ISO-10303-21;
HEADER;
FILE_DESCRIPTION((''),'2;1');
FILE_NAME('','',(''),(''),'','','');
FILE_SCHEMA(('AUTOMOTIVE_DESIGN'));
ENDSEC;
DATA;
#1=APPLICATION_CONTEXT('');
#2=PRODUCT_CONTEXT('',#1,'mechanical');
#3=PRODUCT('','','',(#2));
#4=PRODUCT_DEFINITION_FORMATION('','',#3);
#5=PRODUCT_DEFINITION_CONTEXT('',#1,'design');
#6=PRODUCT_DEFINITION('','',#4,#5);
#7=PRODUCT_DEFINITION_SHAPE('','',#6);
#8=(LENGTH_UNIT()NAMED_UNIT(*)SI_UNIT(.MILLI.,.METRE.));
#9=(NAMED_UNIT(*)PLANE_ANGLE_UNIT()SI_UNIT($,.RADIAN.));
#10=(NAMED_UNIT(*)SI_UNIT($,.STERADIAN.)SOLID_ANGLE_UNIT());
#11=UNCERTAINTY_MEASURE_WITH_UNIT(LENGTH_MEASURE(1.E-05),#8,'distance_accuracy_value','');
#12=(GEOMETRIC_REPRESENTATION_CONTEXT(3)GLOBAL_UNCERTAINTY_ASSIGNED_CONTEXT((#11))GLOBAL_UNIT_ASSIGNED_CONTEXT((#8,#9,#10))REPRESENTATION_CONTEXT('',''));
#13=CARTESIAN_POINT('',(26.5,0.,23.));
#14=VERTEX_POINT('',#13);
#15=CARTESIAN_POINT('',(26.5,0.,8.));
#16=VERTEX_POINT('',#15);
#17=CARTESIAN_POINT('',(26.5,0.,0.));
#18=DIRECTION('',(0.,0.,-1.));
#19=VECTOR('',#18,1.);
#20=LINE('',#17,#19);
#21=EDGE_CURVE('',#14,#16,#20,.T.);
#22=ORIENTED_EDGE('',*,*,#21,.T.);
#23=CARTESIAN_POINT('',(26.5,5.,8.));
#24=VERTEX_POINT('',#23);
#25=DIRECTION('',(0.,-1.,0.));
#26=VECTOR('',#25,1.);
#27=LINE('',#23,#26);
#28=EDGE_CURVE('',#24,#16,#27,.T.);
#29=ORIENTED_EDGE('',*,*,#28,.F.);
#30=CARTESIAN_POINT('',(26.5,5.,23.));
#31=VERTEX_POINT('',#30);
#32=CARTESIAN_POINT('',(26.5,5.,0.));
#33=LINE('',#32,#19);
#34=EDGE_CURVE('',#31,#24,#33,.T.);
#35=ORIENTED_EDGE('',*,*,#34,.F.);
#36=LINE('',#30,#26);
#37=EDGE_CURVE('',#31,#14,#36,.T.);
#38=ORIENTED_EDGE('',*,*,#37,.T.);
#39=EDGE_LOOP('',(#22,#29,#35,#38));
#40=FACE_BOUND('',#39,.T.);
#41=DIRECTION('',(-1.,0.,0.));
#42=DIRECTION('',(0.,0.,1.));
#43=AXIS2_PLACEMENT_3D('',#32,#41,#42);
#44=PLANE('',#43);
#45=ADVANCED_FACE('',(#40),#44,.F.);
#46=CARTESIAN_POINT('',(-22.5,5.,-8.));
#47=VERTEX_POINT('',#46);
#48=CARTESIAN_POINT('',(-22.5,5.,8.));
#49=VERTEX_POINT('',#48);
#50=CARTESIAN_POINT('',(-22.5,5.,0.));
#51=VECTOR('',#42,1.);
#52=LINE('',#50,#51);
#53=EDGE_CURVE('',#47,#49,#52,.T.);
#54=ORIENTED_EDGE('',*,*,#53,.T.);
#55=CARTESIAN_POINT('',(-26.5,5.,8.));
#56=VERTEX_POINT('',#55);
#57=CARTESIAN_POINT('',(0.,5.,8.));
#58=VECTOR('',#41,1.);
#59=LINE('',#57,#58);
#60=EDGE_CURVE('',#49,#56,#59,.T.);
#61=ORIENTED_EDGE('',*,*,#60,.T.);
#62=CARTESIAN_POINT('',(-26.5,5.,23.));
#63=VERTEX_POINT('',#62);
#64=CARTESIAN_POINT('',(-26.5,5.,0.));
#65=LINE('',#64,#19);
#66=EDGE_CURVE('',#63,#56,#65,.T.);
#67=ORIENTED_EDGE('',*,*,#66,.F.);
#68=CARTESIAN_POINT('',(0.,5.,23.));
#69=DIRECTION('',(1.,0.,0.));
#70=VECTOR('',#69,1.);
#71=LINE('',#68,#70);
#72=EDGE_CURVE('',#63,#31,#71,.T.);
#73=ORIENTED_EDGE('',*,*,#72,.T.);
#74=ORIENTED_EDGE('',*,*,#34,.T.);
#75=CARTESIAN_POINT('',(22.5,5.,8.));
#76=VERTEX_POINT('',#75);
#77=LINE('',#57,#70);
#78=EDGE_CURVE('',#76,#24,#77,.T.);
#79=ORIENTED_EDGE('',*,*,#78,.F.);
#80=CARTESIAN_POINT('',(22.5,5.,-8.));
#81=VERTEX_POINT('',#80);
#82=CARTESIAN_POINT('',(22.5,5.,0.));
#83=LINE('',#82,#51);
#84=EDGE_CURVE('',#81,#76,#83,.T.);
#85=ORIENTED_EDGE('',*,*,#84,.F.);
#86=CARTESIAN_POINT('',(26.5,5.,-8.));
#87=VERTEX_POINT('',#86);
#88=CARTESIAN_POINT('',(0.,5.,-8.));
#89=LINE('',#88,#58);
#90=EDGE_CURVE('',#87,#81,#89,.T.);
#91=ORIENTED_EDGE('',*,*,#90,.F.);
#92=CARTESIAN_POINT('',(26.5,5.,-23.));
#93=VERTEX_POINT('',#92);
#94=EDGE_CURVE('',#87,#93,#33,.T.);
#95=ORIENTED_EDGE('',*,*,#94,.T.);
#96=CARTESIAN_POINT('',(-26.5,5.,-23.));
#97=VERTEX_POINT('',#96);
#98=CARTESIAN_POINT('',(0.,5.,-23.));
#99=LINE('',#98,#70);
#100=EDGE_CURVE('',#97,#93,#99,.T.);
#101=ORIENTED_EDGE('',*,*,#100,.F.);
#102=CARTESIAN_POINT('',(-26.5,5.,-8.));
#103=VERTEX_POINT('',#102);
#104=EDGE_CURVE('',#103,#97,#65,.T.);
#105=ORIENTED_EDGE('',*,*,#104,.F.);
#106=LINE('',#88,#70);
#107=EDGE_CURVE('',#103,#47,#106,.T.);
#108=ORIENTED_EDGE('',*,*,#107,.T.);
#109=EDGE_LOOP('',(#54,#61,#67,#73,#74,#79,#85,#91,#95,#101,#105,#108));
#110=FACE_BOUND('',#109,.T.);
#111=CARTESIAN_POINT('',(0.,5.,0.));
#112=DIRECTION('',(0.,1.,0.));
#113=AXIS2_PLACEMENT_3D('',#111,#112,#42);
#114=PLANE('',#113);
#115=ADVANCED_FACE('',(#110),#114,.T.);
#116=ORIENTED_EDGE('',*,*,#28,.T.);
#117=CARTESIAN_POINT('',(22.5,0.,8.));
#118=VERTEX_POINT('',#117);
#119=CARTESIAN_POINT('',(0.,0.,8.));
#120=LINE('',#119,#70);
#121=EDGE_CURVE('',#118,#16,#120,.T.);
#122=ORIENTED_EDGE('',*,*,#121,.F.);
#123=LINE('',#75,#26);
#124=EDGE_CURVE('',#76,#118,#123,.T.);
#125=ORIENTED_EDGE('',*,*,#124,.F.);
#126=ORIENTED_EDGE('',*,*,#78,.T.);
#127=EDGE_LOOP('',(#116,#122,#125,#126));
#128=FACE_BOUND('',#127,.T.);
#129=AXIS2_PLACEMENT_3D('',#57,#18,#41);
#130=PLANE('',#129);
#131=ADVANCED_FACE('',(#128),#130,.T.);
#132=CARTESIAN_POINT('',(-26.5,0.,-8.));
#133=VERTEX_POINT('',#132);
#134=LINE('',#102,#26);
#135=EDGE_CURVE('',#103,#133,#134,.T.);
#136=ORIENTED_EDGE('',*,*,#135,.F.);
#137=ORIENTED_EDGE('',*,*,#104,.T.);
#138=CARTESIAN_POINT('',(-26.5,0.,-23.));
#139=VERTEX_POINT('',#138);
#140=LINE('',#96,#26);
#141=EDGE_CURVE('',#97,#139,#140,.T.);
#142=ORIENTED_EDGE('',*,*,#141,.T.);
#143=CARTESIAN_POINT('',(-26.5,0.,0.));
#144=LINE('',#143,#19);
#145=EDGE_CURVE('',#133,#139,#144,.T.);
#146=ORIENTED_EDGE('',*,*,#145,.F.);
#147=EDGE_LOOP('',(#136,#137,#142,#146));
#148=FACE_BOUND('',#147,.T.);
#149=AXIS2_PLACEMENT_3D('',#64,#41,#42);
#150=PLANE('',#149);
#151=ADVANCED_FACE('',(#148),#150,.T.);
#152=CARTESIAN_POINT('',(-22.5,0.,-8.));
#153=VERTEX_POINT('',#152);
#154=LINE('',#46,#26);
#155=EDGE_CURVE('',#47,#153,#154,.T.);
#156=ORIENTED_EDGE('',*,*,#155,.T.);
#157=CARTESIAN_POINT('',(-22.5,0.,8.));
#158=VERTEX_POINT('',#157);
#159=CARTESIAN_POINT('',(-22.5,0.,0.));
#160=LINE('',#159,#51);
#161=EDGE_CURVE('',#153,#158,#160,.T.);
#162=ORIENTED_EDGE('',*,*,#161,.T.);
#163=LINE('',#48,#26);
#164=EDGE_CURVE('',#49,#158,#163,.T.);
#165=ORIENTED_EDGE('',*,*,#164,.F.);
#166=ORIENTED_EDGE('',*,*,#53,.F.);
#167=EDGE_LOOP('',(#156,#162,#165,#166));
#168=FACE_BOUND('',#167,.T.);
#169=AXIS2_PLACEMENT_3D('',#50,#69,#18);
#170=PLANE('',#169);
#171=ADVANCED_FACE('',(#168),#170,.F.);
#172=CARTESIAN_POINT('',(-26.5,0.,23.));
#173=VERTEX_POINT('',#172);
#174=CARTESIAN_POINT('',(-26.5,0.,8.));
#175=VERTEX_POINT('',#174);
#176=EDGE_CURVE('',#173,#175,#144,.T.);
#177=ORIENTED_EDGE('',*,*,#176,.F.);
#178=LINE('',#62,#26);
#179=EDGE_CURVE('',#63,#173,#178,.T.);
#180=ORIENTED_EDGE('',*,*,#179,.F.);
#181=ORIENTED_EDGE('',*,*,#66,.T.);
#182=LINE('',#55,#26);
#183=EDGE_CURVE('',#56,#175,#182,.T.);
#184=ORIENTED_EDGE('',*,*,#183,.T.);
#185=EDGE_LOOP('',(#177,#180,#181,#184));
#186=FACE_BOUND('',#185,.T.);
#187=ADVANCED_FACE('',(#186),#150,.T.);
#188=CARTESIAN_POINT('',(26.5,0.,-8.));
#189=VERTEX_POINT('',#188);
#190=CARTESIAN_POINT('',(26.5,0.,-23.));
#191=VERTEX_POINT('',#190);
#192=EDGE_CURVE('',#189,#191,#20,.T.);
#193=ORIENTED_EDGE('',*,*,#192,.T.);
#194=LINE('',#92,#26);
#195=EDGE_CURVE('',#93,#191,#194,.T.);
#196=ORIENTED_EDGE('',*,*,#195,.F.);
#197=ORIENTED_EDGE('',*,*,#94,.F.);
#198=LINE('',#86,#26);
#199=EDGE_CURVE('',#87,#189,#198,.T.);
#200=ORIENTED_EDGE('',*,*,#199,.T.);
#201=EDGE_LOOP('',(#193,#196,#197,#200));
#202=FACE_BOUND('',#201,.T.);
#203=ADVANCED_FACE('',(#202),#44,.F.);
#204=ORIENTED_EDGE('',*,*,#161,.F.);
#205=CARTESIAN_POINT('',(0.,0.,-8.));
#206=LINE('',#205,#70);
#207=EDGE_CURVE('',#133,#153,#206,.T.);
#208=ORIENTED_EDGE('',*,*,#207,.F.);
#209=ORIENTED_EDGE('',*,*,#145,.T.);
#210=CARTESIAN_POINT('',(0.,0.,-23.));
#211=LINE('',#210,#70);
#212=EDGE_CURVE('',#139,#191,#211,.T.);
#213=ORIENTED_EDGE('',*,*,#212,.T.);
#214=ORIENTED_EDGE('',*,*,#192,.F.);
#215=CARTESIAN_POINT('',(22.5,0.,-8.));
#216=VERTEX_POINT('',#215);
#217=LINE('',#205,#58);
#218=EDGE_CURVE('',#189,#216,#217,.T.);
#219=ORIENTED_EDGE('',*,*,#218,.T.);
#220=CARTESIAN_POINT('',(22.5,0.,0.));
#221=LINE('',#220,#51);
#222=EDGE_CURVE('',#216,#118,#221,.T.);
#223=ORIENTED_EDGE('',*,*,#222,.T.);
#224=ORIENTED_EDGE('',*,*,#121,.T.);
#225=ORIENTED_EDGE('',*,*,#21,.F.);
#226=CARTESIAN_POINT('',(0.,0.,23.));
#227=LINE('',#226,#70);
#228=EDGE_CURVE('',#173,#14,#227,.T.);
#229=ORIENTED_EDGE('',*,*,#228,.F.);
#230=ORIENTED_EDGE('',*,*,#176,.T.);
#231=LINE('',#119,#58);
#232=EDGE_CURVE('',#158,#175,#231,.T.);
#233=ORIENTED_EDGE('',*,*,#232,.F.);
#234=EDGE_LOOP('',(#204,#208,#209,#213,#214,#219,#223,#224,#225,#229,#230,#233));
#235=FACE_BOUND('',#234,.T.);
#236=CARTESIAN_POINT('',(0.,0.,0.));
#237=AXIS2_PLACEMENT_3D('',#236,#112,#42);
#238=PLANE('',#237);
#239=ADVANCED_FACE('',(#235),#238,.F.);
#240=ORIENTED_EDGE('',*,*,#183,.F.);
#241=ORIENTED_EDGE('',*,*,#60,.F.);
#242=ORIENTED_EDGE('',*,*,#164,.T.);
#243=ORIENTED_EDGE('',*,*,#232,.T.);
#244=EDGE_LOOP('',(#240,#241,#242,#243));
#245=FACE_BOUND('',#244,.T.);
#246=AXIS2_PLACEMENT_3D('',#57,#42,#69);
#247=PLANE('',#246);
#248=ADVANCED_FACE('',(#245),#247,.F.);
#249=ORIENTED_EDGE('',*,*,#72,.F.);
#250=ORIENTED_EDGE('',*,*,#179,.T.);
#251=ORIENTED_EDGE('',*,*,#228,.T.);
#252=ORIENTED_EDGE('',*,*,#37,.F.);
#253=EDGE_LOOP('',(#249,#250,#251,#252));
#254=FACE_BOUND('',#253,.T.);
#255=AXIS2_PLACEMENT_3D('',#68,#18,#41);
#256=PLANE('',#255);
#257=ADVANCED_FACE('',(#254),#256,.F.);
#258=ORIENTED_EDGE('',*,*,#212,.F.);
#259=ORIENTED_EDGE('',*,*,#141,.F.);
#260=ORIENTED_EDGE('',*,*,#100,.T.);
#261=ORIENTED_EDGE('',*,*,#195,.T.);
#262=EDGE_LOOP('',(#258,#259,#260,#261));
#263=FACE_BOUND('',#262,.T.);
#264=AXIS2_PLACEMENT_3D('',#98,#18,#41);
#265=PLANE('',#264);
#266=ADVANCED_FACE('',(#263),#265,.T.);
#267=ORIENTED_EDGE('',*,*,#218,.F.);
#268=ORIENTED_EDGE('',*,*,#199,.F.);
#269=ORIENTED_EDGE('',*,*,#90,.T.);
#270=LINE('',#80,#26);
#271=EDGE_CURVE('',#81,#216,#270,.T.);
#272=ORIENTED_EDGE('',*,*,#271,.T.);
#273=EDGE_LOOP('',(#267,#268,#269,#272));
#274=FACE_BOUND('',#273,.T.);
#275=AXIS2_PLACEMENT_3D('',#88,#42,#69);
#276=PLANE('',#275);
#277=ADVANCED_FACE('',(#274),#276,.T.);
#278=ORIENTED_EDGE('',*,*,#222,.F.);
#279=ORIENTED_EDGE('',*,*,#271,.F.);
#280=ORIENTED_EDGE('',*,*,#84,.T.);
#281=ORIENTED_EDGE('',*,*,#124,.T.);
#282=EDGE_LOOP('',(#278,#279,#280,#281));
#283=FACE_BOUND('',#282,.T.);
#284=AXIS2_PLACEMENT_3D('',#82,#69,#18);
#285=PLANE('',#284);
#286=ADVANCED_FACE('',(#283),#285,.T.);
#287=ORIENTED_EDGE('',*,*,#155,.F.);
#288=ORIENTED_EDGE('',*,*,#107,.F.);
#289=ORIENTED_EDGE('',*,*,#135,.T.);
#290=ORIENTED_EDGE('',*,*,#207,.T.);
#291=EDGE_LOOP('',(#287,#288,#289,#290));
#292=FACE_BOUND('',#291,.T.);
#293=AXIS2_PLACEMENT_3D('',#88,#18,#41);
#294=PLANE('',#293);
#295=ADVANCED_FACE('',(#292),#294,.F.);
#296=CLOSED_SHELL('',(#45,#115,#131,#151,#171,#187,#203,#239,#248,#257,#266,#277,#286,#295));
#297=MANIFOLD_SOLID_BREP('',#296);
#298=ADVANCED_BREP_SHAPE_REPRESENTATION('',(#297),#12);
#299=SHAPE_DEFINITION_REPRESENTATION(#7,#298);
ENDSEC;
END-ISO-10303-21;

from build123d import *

# Parameters (mm, degrees)
BOSS_EXTRUDE1_DEPTH = 5


with BuildPart() as part:
    # Sketch1 → Boss-Extrude1 (new body)
    with BuildSketch(Plane(origin=(0, 0, 0), x_dir=(1, 0, 0), z_dir=(0, 1, 0))):
        Polygon((-26.5, 23), (-26.5, 8), (-22.5, 8), (-22.5, -8), (-26.5, -8), (-26.5, -23), (26.5, -23), (26.5, -8), (22.5, -8), (22.5, 8), (26.5, 8), (26.5, 23), align=None)
    extrude(amount=BOSS_EXTRUDE1_DEPTH)


solid = part.part
